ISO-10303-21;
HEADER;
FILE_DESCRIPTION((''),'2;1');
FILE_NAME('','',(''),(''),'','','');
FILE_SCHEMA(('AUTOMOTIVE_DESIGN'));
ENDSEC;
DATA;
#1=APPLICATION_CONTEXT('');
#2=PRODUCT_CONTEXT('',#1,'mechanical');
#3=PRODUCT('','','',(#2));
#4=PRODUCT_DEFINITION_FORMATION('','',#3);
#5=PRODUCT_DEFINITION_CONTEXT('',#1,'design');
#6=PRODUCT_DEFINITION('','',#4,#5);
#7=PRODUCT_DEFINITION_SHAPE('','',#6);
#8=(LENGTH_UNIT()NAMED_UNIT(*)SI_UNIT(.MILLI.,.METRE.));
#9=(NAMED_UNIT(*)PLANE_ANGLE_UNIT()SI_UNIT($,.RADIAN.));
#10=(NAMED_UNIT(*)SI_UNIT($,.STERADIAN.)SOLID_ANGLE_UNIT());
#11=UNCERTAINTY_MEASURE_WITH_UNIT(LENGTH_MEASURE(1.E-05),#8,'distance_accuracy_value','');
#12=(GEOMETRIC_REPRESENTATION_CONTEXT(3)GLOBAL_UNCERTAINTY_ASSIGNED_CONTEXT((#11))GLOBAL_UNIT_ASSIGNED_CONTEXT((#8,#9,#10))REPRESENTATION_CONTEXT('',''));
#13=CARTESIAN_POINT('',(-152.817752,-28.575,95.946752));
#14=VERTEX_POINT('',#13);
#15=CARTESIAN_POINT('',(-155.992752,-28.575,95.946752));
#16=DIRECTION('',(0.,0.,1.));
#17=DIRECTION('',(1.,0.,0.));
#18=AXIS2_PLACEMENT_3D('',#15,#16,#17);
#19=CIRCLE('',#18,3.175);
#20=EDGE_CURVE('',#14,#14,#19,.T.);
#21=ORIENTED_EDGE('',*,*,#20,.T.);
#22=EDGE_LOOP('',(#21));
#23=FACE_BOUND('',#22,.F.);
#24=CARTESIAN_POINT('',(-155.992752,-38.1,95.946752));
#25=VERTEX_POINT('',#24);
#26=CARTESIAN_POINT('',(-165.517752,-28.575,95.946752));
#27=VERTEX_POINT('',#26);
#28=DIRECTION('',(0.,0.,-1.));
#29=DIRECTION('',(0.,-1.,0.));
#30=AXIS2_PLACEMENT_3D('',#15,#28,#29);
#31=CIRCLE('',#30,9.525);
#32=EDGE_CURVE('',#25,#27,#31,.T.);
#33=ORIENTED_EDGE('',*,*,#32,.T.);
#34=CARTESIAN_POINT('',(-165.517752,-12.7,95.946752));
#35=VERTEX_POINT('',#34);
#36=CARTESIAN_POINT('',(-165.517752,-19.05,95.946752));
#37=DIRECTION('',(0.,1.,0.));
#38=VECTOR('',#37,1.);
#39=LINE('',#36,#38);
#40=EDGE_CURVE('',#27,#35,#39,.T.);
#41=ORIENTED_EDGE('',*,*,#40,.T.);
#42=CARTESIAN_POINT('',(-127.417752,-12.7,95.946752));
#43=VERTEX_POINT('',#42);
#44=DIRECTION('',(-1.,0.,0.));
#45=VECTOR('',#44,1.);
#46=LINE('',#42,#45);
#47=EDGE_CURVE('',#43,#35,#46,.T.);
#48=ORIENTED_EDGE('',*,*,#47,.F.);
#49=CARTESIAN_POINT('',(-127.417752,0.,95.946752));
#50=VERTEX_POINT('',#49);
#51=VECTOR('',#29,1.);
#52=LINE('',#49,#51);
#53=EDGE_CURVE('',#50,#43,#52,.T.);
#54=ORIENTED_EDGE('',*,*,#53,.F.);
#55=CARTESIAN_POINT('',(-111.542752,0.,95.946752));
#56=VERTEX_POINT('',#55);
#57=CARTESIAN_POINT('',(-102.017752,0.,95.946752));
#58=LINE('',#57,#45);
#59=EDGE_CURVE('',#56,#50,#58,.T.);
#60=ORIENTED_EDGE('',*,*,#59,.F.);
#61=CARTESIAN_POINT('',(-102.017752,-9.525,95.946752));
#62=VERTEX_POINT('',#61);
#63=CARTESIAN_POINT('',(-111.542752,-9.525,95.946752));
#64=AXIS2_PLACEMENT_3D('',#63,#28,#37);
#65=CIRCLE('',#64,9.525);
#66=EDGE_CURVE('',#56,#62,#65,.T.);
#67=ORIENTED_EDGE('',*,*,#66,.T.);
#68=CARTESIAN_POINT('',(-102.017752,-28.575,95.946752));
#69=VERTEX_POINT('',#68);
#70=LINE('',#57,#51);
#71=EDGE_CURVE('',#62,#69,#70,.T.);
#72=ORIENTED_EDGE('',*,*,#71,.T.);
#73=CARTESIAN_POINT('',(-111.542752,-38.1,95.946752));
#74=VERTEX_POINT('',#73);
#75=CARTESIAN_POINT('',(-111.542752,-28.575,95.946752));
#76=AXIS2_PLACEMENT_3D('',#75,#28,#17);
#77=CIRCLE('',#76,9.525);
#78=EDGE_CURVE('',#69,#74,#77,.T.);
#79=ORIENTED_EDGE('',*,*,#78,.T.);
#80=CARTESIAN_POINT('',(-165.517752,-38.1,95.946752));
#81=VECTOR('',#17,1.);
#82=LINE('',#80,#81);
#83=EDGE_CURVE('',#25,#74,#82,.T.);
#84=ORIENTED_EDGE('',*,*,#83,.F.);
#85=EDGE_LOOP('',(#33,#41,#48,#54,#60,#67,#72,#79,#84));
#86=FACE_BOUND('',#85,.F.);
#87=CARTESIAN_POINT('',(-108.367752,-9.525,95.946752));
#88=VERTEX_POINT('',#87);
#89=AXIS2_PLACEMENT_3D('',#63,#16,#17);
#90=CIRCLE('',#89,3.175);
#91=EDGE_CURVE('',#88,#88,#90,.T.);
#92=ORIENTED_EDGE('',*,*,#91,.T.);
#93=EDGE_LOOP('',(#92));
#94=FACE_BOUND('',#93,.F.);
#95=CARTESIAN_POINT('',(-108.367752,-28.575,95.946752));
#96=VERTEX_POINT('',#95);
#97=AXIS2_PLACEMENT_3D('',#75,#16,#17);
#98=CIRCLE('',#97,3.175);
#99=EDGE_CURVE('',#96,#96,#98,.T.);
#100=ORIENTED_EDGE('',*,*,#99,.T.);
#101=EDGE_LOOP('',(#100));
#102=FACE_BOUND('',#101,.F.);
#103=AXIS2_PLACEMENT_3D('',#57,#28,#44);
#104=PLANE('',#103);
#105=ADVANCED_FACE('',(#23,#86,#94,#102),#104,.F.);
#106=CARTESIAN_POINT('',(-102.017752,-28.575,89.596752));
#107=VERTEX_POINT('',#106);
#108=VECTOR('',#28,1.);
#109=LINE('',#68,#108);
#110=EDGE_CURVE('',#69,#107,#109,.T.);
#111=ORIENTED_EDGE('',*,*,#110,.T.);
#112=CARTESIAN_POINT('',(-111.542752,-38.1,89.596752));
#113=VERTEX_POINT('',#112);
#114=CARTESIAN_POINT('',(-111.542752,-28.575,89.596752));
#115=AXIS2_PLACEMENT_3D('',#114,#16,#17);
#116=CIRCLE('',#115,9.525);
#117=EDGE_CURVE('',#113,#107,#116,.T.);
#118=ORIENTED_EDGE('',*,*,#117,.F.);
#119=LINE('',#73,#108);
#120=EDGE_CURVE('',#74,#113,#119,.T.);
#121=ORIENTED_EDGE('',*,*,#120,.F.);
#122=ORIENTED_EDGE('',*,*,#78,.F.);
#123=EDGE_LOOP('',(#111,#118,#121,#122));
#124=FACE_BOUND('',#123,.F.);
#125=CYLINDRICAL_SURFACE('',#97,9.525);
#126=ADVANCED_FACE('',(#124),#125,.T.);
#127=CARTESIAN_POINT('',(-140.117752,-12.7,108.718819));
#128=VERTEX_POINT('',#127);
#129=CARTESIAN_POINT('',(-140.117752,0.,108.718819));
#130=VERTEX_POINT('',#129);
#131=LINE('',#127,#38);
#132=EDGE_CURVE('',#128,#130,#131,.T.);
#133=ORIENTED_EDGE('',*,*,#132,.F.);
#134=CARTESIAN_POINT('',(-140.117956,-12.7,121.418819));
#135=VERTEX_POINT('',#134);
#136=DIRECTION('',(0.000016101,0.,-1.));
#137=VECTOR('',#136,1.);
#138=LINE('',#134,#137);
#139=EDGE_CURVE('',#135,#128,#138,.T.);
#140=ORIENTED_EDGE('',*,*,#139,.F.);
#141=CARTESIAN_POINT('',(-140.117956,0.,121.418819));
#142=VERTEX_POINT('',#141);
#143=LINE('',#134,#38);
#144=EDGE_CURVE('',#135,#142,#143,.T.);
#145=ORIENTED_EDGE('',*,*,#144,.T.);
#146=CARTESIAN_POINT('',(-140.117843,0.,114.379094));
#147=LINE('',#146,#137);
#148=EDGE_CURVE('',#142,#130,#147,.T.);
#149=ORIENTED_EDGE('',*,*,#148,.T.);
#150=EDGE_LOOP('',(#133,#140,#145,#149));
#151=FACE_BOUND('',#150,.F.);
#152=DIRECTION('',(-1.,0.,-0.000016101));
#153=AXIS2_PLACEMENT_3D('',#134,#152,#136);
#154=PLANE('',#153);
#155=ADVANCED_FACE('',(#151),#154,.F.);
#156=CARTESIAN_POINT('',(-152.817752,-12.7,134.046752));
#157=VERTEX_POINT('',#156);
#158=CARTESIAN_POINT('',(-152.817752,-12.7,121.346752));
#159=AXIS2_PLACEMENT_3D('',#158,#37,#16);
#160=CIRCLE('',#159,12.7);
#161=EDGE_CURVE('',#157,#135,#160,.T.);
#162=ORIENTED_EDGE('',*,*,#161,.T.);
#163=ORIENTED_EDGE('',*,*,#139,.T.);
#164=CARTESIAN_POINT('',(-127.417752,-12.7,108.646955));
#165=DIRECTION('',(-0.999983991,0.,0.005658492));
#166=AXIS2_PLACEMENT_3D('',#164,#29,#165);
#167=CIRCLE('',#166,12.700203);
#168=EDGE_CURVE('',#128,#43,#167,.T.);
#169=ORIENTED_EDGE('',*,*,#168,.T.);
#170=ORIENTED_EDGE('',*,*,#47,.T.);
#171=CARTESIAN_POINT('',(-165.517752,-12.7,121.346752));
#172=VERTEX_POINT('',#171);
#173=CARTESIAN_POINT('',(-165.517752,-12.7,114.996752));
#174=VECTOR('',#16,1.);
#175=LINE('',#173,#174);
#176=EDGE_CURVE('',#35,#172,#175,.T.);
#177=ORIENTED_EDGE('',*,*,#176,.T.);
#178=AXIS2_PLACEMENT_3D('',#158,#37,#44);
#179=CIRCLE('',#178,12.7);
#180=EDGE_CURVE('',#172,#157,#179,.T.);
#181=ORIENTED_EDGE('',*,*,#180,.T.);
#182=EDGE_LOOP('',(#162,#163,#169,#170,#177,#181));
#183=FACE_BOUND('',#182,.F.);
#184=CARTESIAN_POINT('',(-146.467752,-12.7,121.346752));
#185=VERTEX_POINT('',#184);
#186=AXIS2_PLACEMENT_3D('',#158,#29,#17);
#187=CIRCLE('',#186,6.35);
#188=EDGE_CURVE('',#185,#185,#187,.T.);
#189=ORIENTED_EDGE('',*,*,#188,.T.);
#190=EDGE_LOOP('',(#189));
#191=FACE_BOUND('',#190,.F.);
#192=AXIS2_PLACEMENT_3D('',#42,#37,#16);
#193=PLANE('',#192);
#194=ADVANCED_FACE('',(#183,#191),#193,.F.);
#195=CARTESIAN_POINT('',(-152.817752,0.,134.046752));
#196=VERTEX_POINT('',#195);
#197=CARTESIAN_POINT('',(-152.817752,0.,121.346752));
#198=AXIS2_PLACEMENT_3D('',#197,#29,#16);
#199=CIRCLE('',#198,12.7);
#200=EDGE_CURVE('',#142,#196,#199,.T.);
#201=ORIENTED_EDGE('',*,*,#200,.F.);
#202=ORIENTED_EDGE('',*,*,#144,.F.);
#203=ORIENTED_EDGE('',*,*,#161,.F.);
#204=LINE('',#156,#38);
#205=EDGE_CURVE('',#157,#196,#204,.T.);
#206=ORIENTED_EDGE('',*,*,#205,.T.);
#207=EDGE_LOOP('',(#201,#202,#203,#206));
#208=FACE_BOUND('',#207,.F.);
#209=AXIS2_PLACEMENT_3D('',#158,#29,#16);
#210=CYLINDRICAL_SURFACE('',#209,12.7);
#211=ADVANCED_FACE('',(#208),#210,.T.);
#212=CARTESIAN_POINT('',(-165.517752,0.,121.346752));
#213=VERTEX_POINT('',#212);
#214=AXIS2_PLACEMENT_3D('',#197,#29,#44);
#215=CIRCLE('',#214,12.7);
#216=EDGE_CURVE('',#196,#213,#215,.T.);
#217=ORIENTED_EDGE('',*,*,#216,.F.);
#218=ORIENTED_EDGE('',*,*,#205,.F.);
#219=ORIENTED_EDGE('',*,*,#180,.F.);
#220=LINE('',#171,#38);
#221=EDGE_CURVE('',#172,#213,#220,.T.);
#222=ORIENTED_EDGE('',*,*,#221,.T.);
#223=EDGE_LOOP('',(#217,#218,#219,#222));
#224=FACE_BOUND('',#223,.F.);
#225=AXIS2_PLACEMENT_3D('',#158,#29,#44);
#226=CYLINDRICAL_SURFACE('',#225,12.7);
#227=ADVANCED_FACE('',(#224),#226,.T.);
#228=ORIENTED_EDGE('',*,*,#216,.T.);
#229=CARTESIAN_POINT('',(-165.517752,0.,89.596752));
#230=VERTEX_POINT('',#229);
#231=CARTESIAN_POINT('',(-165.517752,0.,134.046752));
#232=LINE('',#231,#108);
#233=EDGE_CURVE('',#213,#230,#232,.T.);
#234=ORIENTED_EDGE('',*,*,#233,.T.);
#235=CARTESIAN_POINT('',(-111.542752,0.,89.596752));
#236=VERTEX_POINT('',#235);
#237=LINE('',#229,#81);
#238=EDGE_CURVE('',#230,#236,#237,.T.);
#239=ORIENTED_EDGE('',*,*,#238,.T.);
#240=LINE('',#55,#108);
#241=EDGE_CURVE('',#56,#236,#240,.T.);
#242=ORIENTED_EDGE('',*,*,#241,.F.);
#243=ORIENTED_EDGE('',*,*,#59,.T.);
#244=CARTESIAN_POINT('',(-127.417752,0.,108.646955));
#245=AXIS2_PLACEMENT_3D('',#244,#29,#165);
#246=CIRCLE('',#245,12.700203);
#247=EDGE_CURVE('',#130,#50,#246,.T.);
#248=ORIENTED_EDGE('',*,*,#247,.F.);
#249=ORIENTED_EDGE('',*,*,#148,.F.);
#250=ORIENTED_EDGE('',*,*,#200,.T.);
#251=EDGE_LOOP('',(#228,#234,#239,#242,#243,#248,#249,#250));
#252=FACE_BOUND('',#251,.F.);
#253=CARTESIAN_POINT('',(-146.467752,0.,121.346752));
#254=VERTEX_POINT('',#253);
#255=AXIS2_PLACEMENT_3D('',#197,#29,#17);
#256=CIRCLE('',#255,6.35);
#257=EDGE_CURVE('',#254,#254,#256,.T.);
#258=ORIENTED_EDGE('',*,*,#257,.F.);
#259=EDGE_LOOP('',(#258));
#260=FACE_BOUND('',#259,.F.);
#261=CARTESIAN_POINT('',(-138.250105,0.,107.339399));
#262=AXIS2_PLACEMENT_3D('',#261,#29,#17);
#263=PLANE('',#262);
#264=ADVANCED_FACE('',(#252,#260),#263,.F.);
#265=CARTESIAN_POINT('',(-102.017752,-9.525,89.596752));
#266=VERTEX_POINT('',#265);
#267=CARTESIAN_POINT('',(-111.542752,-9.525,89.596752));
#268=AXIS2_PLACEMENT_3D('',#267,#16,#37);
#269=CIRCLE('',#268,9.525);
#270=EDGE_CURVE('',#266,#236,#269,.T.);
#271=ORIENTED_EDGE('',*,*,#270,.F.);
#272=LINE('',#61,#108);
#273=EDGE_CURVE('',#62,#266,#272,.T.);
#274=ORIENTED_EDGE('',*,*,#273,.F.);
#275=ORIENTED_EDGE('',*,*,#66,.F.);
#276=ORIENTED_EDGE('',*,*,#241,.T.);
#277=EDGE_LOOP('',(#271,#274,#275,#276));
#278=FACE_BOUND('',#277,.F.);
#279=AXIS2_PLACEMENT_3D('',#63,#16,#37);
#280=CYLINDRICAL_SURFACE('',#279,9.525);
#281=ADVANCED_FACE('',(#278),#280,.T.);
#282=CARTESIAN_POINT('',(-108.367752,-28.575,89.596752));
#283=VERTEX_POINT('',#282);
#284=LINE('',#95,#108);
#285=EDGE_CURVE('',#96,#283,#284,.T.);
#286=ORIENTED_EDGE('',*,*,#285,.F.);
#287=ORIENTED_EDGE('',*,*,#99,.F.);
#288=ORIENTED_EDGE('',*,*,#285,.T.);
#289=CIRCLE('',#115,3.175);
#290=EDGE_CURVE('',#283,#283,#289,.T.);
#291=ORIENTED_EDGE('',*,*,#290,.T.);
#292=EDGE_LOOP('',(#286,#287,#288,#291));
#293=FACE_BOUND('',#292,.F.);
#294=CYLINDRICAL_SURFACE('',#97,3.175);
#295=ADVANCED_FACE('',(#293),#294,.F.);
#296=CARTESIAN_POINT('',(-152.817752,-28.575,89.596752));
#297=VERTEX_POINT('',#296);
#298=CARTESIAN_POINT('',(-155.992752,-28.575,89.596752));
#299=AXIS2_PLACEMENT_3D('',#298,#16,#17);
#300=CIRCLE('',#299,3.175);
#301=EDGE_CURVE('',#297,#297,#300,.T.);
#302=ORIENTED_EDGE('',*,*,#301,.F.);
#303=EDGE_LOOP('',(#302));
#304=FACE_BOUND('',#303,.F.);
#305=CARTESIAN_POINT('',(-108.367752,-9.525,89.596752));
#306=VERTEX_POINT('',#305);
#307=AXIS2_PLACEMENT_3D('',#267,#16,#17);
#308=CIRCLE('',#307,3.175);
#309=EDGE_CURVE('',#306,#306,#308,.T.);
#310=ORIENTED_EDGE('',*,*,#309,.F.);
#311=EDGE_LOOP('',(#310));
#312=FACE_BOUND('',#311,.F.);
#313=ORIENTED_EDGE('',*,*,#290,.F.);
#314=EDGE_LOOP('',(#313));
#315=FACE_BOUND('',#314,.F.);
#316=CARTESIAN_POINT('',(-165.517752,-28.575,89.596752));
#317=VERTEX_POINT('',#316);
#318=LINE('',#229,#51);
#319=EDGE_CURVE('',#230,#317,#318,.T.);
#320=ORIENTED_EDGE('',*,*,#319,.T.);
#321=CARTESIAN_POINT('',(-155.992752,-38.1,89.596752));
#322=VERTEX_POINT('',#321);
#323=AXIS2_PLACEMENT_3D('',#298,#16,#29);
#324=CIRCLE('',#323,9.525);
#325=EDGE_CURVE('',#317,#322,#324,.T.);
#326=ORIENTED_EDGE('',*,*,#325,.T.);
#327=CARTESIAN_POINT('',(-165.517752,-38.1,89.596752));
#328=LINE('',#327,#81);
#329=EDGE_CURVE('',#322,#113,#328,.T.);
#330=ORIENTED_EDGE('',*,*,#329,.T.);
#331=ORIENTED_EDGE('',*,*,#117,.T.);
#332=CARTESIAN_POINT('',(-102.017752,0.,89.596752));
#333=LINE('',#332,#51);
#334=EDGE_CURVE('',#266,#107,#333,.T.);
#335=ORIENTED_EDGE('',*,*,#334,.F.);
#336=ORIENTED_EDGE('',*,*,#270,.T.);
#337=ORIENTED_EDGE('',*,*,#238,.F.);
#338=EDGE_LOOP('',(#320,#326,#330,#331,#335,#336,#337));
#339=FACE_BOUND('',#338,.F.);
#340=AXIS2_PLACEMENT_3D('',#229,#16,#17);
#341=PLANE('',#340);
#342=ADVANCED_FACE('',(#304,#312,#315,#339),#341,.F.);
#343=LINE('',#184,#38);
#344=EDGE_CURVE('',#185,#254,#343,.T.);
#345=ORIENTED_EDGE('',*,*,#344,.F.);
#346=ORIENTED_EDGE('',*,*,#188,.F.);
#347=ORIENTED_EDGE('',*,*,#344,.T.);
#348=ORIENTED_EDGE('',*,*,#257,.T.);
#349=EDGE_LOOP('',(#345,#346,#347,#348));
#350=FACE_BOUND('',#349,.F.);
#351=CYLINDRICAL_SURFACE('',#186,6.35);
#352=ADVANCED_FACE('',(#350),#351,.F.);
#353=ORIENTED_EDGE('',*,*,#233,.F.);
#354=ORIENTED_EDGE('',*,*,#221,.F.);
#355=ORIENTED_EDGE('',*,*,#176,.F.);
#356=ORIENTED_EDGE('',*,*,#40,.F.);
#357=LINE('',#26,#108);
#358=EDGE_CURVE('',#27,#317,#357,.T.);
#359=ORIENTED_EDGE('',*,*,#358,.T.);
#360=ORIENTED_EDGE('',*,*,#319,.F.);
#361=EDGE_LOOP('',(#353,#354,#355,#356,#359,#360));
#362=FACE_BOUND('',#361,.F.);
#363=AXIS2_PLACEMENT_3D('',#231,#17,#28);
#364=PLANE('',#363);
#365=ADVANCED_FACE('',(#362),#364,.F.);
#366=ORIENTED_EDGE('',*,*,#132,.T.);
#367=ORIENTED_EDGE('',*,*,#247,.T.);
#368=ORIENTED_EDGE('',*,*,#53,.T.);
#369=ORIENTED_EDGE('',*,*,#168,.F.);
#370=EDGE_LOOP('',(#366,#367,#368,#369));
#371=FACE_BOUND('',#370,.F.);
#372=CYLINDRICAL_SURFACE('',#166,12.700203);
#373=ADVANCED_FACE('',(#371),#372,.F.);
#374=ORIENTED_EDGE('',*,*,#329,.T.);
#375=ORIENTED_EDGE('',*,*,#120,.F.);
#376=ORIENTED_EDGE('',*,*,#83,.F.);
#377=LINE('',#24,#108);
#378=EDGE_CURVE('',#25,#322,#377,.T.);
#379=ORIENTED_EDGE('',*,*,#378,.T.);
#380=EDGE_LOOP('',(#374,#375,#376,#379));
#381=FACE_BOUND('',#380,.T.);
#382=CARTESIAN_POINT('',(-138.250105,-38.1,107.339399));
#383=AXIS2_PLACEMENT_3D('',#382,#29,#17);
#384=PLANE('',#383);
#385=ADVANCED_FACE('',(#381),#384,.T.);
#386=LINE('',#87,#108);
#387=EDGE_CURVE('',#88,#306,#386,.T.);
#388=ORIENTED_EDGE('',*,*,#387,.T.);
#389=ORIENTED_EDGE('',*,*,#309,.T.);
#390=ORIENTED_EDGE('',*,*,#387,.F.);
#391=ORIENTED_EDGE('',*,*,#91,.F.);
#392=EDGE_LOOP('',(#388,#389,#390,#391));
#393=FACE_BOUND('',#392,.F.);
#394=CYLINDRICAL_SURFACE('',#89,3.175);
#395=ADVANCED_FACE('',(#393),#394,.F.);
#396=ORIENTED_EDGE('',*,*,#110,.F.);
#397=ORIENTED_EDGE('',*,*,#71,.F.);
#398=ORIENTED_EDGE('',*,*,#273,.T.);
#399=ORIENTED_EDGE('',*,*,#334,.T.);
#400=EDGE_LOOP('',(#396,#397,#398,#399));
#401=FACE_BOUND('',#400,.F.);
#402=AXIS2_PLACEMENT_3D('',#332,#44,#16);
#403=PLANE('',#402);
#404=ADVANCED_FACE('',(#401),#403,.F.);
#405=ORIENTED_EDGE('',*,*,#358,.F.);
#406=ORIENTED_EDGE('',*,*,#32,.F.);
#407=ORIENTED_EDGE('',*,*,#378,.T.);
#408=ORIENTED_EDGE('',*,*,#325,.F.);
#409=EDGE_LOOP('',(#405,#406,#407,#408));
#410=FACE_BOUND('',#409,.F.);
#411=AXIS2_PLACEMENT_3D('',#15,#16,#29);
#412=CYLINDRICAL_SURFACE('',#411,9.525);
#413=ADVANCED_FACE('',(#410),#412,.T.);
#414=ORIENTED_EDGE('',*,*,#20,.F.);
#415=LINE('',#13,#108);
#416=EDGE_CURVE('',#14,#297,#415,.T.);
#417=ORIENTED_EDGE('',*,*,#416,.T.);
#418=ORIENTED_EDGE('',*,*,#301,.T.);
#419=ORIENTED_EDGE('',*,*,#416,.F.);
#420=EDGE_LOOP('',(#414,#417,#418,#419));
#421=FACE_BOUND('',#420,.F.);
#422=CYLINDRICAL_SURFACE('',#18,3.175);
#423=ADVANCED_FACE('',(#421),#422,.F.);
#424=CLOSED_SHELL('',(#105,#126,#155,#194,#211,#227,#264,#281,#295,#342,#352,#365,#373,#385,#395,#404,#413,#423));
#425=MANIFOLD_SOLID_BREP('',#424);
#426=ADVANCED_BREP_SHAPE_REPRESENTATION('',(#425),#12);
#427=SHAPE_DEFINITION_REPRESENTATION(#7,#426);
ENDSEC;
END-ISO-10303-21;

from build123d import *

# Parameters (mm, degrees)
F1_DEPTH  = 38.1
F2_W      = 25.4
F2_H      = 38.1
F3_DEPTH  = 38.101
F4_R      = 6.35
F5_DEPTH  = 12.701
F7_DEPTH  = 12.701
F8_R      = 3.175
F9_DEPTH  = 6.351
F11_DEPTH = 6.351


with BuildPart() as f1:
    # F0 (on Front) → F1 (new body)
    with BuildSketch(Plane.XZ):
        Polygon((-127.4177515995, 134.0467518509), (-165.5177515995, 134.0467518509), (-165.5177515995, 89.5967518509), (-102.0177515995, 89.5967518509), (-102.0177515995, 95.9467518509), (-127.4177515995, 95.9467518509), align=None)
    extrude(amount=F1_DEPTH)

    # F2 (on face) → F3 (cut, through all)
    with BuildSketch(Plane.YZ.offset(-127.4177515995)):
        with Locations((-25.4, 114.9967518509)):
            Rectangle(F2_W, F2_H)
    extrude(amount=-F3_DEPTH, mode=Mode.SUBTRACT)

    # F4 (on face) → F5 (cut, through all)
    with BuildSketch(Plane.XZ.offset(12.7)):
        with Locations((-152.8177515995, 121.3467518509)):
            Circle(F4_R)
        with BuildLine():
            ThreePointArc((-165.5177515995, 121.3467518509), (-161.7980077206, 130.327007972), (-152.8177515995, 134.0467518509))
            Line((-152.8177515995, 134.0467518509), (-165.5177515995, 134.0467518509))
            Line((-165.5177515995, 134.0467518509), (-165.5177515995, 121.3467518509))
        make_face()
    extrude(amount=-F5_DEPTH, mode=Mode.SUBTRACT)

    # F6 (on face) → F7 (cut, through all)
    with BuildSketch(Plane.XZ.offset(12.7)):
        with BuildLine():
            ThreePointArc((-152.8177515995, 134.0467518509), (-143.8630113716, 130.3524515711), (-140.1179560774, 121.4188191659))
            Line((-140.1179560774, 121.4188191659), (-140.1177515995, 108.7188191676))
            ThreePointArc((-140.1177515995, 108.7188191676), (-136.423523409, 99.6919990849), (-127.4177515995, 95.9467518509))
            Line((-127.4177515995, 95.9467518509), (-127.4177515995, 134.0467518509))
            Line((-127.4177515995, 134.0467518509), (-152.8177515995, 134.0467518509))
        make_face()
    extrude(amount=-F7_DEPTH, mode=Mode.SUBTRACT)

    # F8 (on face) → F9 (cut, through all)
    with BuildSketch(Plane.XY.offset(95.9467518509)):
        with Locations((-155.9927515995, -28.575)):
            Circle(F8_R)
        with Locations((-111.5427515995, -28.575)):
            Circle(F8_R)
        with Locations((-111.5427515995, -9.525)):
            Circle(F8_R)
    extrude(amount=-F9_DEPTH, mode=Mode.SUBTRACT)

    # F10 (on face) → F11 (cut, through all)
    with BuildSketch(Plane.XY.offset(95.9467518509)):
        with BuildLine():
            ThreePointArc((-155.9927515995, -38.1), (-162.7279436903, -35.3101920908), (-165.5177515995, -28.575))
            Line((-165.5177515995, -28.575), (-165.5177515995, -38.1))
            Line((-165.5177515995, -38.1), (-155.9927515995, -38.1))
        make_face()
        with BuildLine():
            ThreePointArc((-102.0177515995, -28.575), (-104.8075595087, -35.3101920908), (-111.5427515995, -38.1))
            Line((-111.5427515995, -38.1), (-102.0177515995, -38.1))
            Line((-102.0177515995, -38.1), (-102.0177515995, -28.575))
        make_face()
        with BuildLine():
            Line((-102.0177515995, 0), (-111.5427515995, 0))
            ThreePointArc((-111.5427515995, 0), (-104.8075595087, -2.7898079092), (-102.0177515995, -9.525))
            Line((-102.0177515995, -9.525), (-102.0177515995, 0))
        make_face()
    extrude(amount=-F11_DEPTH, mode=Mode.SUBTRACT)


solid = f1.part
